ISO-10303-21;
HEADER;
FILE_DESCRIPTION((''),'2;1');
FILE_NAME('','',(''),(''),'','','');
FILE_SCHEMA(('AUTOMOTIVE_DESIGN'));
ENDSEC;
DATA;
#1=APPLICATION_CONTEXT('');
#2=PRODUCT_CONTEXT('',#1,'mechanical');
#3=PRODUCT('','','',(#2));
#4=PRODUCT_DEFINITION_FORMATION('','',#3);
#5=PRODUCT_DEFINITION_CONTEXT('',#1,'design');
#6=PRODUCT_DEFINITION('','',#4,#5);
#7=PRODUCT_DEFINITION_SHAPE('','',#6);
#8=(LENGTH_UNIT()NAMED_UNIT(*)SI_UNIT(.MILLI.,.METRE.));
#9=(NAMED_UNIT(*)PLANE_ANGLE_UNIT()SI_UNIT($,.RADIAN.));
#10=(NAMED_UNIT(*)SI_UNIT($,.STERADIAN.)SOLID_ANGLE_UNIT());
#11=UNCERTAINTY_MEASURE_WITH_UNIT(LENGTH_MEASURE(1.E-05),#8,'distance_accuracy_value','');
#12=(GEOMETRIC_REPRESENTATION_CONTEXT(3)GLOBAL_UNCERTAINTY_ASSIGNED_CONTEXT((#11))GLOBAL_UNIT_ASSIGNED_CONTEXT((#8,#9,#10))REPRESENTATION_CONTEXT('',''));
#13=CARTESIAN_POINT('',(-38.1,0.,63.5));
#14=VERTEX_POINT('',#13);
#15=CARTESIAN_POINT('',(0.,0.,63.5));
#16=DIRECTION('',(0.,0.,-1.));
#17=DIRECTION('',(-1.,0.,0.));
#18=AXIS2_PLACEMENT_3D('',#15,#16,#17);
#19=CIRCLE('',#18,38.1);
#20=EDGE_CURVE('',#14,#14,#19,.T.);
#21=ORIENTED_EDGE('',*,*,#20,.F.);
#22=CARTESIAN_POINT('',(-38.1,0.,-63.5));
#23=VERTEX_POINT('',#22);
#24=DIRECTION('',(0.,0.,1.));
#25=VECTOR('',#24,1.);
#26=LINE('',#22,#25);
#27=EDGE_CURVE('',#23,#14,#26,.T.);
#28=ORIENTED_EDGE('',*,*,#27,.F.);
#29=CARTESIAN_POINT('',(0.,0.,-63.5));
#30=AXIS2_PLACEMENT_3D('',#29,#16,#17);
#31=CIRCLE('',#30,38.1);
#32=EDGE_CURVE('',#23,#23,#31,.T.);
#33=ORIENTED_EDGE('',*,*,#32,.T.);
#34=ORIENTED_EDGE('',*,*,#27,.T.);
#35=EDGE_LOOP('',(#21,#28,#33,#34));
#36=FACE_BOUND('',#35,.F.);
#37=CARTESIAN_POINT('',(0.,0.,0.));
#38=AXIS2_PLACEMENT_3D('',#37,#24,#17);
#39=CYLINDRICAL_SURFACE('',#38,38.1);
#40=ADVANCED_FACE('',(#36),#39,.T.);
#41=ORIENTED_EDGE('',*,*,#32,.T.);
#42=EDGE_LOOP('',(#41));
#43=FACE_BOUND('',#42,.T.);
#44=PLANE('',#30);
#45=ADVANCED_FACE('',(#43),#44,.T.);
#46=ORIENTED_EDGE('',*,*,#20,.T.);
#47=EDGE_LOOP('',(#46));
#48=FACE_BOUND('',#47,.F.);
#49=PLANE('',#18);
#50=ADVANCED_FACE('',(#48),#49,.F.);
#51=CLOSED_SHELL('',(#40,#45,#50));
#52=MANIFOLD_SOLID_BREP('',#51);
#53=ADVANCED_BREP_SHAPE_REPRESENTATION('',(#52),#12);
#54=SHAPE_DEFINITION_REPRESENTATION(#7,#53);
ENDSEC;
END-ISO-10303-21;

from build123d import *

# Parameters (mm, degrees)
F0_W     = 38.1
F0_H     = 127
F3_R     = 6.35
F4_DEPTH = 12.7
F5_COUNT = 8


with BuildPart() as f1:
    # F0 (on Front) → F1 (revolve)
    with BuildSketch(Plane.XZ):
        with Locations((-19.05, 0)):
            Rectangle(F0_W, F0_H)
    revolve(axis=Axis((0, 0, 0), (0, 0, -1)))


with BuildPart() as f4:
    # F3 (on offset) → F4 (new body)
    with BuildSketch(Plane.XZ.offset(38.1)):
        Circle(F3_R)
    extrude(amount=F4_DEPTH)


with BuildPart() as f5_1:
    # F5: instance of F4
    add(f4.part.rotate(Axis((0, 0, 63.5), (0, 0, -1)), 1 * 360 / F5_COUNT))


with BuildPart() as f5_2:
    # F5: instance of F4
    add(f4.part.rotate(Axis((0, 0, 63.5), (0, 0, -1)), 2 * 360 / F5_COUNT))


with BuildPart() as f5_3:
    # F5: instance of F4
    add(f4.part.rotate(Axis((0, 0, 63.5), (0, 0, -1)), 3 * 360 / F5_COUNT))


with BuildPart() as f5_4:
    # F5: instance of F4
    add(f4.part.rotate(Axis((0, 0, 63.5), (0, 0, -1)), 4 * 360 / F5_COUNT))


with BuildPart() as f5_5:
    # F5: instance of F4
    add(f4.part.rotate(Axis((0, 0, 63.5), (0, 0, -1)), 5 * 360 / F5_COUNT))


with BuildPart() as f5_6:
    # F5: instance of F4
    add(f4.part.rotate(Axis((0, 0, 63.5), (0, 0, -1)), 6 * 360 / F5_COUNT))


with BuildPart() as f5_7:
    # F5: instance of F4
    add(f4.part.rotate(Axis((0, 0, 63.5), (0, 0, -1)), 7 * 360 / F5_COUNT))


with BuildPart() as f1_1:
    add(f1.part)

    # F6: cut F4, F5_1, F5_2, F5_3, F5_4, F5_5, F5_6, F5_7
    add(f4.part, mode=Mode.SUBTRACT)
    add(f5_1.part, mode=Mode.SUBTRACT)
    add(f5_2.part, mode=Mode.SUBTRACT)
    add(f5_3.part, mode=Mode.SUBTRACT)
    add(f5_4.part, mode=Mode.SUBTRACT)
    add(f5_5.part, mode=Mode.SUBTRACT)
    add(f5_6.part, mode=Mode.SUBTRACT)
    add(f5_7.part, mode=Mode.SUBTRACT)


solid = f1_1.part
